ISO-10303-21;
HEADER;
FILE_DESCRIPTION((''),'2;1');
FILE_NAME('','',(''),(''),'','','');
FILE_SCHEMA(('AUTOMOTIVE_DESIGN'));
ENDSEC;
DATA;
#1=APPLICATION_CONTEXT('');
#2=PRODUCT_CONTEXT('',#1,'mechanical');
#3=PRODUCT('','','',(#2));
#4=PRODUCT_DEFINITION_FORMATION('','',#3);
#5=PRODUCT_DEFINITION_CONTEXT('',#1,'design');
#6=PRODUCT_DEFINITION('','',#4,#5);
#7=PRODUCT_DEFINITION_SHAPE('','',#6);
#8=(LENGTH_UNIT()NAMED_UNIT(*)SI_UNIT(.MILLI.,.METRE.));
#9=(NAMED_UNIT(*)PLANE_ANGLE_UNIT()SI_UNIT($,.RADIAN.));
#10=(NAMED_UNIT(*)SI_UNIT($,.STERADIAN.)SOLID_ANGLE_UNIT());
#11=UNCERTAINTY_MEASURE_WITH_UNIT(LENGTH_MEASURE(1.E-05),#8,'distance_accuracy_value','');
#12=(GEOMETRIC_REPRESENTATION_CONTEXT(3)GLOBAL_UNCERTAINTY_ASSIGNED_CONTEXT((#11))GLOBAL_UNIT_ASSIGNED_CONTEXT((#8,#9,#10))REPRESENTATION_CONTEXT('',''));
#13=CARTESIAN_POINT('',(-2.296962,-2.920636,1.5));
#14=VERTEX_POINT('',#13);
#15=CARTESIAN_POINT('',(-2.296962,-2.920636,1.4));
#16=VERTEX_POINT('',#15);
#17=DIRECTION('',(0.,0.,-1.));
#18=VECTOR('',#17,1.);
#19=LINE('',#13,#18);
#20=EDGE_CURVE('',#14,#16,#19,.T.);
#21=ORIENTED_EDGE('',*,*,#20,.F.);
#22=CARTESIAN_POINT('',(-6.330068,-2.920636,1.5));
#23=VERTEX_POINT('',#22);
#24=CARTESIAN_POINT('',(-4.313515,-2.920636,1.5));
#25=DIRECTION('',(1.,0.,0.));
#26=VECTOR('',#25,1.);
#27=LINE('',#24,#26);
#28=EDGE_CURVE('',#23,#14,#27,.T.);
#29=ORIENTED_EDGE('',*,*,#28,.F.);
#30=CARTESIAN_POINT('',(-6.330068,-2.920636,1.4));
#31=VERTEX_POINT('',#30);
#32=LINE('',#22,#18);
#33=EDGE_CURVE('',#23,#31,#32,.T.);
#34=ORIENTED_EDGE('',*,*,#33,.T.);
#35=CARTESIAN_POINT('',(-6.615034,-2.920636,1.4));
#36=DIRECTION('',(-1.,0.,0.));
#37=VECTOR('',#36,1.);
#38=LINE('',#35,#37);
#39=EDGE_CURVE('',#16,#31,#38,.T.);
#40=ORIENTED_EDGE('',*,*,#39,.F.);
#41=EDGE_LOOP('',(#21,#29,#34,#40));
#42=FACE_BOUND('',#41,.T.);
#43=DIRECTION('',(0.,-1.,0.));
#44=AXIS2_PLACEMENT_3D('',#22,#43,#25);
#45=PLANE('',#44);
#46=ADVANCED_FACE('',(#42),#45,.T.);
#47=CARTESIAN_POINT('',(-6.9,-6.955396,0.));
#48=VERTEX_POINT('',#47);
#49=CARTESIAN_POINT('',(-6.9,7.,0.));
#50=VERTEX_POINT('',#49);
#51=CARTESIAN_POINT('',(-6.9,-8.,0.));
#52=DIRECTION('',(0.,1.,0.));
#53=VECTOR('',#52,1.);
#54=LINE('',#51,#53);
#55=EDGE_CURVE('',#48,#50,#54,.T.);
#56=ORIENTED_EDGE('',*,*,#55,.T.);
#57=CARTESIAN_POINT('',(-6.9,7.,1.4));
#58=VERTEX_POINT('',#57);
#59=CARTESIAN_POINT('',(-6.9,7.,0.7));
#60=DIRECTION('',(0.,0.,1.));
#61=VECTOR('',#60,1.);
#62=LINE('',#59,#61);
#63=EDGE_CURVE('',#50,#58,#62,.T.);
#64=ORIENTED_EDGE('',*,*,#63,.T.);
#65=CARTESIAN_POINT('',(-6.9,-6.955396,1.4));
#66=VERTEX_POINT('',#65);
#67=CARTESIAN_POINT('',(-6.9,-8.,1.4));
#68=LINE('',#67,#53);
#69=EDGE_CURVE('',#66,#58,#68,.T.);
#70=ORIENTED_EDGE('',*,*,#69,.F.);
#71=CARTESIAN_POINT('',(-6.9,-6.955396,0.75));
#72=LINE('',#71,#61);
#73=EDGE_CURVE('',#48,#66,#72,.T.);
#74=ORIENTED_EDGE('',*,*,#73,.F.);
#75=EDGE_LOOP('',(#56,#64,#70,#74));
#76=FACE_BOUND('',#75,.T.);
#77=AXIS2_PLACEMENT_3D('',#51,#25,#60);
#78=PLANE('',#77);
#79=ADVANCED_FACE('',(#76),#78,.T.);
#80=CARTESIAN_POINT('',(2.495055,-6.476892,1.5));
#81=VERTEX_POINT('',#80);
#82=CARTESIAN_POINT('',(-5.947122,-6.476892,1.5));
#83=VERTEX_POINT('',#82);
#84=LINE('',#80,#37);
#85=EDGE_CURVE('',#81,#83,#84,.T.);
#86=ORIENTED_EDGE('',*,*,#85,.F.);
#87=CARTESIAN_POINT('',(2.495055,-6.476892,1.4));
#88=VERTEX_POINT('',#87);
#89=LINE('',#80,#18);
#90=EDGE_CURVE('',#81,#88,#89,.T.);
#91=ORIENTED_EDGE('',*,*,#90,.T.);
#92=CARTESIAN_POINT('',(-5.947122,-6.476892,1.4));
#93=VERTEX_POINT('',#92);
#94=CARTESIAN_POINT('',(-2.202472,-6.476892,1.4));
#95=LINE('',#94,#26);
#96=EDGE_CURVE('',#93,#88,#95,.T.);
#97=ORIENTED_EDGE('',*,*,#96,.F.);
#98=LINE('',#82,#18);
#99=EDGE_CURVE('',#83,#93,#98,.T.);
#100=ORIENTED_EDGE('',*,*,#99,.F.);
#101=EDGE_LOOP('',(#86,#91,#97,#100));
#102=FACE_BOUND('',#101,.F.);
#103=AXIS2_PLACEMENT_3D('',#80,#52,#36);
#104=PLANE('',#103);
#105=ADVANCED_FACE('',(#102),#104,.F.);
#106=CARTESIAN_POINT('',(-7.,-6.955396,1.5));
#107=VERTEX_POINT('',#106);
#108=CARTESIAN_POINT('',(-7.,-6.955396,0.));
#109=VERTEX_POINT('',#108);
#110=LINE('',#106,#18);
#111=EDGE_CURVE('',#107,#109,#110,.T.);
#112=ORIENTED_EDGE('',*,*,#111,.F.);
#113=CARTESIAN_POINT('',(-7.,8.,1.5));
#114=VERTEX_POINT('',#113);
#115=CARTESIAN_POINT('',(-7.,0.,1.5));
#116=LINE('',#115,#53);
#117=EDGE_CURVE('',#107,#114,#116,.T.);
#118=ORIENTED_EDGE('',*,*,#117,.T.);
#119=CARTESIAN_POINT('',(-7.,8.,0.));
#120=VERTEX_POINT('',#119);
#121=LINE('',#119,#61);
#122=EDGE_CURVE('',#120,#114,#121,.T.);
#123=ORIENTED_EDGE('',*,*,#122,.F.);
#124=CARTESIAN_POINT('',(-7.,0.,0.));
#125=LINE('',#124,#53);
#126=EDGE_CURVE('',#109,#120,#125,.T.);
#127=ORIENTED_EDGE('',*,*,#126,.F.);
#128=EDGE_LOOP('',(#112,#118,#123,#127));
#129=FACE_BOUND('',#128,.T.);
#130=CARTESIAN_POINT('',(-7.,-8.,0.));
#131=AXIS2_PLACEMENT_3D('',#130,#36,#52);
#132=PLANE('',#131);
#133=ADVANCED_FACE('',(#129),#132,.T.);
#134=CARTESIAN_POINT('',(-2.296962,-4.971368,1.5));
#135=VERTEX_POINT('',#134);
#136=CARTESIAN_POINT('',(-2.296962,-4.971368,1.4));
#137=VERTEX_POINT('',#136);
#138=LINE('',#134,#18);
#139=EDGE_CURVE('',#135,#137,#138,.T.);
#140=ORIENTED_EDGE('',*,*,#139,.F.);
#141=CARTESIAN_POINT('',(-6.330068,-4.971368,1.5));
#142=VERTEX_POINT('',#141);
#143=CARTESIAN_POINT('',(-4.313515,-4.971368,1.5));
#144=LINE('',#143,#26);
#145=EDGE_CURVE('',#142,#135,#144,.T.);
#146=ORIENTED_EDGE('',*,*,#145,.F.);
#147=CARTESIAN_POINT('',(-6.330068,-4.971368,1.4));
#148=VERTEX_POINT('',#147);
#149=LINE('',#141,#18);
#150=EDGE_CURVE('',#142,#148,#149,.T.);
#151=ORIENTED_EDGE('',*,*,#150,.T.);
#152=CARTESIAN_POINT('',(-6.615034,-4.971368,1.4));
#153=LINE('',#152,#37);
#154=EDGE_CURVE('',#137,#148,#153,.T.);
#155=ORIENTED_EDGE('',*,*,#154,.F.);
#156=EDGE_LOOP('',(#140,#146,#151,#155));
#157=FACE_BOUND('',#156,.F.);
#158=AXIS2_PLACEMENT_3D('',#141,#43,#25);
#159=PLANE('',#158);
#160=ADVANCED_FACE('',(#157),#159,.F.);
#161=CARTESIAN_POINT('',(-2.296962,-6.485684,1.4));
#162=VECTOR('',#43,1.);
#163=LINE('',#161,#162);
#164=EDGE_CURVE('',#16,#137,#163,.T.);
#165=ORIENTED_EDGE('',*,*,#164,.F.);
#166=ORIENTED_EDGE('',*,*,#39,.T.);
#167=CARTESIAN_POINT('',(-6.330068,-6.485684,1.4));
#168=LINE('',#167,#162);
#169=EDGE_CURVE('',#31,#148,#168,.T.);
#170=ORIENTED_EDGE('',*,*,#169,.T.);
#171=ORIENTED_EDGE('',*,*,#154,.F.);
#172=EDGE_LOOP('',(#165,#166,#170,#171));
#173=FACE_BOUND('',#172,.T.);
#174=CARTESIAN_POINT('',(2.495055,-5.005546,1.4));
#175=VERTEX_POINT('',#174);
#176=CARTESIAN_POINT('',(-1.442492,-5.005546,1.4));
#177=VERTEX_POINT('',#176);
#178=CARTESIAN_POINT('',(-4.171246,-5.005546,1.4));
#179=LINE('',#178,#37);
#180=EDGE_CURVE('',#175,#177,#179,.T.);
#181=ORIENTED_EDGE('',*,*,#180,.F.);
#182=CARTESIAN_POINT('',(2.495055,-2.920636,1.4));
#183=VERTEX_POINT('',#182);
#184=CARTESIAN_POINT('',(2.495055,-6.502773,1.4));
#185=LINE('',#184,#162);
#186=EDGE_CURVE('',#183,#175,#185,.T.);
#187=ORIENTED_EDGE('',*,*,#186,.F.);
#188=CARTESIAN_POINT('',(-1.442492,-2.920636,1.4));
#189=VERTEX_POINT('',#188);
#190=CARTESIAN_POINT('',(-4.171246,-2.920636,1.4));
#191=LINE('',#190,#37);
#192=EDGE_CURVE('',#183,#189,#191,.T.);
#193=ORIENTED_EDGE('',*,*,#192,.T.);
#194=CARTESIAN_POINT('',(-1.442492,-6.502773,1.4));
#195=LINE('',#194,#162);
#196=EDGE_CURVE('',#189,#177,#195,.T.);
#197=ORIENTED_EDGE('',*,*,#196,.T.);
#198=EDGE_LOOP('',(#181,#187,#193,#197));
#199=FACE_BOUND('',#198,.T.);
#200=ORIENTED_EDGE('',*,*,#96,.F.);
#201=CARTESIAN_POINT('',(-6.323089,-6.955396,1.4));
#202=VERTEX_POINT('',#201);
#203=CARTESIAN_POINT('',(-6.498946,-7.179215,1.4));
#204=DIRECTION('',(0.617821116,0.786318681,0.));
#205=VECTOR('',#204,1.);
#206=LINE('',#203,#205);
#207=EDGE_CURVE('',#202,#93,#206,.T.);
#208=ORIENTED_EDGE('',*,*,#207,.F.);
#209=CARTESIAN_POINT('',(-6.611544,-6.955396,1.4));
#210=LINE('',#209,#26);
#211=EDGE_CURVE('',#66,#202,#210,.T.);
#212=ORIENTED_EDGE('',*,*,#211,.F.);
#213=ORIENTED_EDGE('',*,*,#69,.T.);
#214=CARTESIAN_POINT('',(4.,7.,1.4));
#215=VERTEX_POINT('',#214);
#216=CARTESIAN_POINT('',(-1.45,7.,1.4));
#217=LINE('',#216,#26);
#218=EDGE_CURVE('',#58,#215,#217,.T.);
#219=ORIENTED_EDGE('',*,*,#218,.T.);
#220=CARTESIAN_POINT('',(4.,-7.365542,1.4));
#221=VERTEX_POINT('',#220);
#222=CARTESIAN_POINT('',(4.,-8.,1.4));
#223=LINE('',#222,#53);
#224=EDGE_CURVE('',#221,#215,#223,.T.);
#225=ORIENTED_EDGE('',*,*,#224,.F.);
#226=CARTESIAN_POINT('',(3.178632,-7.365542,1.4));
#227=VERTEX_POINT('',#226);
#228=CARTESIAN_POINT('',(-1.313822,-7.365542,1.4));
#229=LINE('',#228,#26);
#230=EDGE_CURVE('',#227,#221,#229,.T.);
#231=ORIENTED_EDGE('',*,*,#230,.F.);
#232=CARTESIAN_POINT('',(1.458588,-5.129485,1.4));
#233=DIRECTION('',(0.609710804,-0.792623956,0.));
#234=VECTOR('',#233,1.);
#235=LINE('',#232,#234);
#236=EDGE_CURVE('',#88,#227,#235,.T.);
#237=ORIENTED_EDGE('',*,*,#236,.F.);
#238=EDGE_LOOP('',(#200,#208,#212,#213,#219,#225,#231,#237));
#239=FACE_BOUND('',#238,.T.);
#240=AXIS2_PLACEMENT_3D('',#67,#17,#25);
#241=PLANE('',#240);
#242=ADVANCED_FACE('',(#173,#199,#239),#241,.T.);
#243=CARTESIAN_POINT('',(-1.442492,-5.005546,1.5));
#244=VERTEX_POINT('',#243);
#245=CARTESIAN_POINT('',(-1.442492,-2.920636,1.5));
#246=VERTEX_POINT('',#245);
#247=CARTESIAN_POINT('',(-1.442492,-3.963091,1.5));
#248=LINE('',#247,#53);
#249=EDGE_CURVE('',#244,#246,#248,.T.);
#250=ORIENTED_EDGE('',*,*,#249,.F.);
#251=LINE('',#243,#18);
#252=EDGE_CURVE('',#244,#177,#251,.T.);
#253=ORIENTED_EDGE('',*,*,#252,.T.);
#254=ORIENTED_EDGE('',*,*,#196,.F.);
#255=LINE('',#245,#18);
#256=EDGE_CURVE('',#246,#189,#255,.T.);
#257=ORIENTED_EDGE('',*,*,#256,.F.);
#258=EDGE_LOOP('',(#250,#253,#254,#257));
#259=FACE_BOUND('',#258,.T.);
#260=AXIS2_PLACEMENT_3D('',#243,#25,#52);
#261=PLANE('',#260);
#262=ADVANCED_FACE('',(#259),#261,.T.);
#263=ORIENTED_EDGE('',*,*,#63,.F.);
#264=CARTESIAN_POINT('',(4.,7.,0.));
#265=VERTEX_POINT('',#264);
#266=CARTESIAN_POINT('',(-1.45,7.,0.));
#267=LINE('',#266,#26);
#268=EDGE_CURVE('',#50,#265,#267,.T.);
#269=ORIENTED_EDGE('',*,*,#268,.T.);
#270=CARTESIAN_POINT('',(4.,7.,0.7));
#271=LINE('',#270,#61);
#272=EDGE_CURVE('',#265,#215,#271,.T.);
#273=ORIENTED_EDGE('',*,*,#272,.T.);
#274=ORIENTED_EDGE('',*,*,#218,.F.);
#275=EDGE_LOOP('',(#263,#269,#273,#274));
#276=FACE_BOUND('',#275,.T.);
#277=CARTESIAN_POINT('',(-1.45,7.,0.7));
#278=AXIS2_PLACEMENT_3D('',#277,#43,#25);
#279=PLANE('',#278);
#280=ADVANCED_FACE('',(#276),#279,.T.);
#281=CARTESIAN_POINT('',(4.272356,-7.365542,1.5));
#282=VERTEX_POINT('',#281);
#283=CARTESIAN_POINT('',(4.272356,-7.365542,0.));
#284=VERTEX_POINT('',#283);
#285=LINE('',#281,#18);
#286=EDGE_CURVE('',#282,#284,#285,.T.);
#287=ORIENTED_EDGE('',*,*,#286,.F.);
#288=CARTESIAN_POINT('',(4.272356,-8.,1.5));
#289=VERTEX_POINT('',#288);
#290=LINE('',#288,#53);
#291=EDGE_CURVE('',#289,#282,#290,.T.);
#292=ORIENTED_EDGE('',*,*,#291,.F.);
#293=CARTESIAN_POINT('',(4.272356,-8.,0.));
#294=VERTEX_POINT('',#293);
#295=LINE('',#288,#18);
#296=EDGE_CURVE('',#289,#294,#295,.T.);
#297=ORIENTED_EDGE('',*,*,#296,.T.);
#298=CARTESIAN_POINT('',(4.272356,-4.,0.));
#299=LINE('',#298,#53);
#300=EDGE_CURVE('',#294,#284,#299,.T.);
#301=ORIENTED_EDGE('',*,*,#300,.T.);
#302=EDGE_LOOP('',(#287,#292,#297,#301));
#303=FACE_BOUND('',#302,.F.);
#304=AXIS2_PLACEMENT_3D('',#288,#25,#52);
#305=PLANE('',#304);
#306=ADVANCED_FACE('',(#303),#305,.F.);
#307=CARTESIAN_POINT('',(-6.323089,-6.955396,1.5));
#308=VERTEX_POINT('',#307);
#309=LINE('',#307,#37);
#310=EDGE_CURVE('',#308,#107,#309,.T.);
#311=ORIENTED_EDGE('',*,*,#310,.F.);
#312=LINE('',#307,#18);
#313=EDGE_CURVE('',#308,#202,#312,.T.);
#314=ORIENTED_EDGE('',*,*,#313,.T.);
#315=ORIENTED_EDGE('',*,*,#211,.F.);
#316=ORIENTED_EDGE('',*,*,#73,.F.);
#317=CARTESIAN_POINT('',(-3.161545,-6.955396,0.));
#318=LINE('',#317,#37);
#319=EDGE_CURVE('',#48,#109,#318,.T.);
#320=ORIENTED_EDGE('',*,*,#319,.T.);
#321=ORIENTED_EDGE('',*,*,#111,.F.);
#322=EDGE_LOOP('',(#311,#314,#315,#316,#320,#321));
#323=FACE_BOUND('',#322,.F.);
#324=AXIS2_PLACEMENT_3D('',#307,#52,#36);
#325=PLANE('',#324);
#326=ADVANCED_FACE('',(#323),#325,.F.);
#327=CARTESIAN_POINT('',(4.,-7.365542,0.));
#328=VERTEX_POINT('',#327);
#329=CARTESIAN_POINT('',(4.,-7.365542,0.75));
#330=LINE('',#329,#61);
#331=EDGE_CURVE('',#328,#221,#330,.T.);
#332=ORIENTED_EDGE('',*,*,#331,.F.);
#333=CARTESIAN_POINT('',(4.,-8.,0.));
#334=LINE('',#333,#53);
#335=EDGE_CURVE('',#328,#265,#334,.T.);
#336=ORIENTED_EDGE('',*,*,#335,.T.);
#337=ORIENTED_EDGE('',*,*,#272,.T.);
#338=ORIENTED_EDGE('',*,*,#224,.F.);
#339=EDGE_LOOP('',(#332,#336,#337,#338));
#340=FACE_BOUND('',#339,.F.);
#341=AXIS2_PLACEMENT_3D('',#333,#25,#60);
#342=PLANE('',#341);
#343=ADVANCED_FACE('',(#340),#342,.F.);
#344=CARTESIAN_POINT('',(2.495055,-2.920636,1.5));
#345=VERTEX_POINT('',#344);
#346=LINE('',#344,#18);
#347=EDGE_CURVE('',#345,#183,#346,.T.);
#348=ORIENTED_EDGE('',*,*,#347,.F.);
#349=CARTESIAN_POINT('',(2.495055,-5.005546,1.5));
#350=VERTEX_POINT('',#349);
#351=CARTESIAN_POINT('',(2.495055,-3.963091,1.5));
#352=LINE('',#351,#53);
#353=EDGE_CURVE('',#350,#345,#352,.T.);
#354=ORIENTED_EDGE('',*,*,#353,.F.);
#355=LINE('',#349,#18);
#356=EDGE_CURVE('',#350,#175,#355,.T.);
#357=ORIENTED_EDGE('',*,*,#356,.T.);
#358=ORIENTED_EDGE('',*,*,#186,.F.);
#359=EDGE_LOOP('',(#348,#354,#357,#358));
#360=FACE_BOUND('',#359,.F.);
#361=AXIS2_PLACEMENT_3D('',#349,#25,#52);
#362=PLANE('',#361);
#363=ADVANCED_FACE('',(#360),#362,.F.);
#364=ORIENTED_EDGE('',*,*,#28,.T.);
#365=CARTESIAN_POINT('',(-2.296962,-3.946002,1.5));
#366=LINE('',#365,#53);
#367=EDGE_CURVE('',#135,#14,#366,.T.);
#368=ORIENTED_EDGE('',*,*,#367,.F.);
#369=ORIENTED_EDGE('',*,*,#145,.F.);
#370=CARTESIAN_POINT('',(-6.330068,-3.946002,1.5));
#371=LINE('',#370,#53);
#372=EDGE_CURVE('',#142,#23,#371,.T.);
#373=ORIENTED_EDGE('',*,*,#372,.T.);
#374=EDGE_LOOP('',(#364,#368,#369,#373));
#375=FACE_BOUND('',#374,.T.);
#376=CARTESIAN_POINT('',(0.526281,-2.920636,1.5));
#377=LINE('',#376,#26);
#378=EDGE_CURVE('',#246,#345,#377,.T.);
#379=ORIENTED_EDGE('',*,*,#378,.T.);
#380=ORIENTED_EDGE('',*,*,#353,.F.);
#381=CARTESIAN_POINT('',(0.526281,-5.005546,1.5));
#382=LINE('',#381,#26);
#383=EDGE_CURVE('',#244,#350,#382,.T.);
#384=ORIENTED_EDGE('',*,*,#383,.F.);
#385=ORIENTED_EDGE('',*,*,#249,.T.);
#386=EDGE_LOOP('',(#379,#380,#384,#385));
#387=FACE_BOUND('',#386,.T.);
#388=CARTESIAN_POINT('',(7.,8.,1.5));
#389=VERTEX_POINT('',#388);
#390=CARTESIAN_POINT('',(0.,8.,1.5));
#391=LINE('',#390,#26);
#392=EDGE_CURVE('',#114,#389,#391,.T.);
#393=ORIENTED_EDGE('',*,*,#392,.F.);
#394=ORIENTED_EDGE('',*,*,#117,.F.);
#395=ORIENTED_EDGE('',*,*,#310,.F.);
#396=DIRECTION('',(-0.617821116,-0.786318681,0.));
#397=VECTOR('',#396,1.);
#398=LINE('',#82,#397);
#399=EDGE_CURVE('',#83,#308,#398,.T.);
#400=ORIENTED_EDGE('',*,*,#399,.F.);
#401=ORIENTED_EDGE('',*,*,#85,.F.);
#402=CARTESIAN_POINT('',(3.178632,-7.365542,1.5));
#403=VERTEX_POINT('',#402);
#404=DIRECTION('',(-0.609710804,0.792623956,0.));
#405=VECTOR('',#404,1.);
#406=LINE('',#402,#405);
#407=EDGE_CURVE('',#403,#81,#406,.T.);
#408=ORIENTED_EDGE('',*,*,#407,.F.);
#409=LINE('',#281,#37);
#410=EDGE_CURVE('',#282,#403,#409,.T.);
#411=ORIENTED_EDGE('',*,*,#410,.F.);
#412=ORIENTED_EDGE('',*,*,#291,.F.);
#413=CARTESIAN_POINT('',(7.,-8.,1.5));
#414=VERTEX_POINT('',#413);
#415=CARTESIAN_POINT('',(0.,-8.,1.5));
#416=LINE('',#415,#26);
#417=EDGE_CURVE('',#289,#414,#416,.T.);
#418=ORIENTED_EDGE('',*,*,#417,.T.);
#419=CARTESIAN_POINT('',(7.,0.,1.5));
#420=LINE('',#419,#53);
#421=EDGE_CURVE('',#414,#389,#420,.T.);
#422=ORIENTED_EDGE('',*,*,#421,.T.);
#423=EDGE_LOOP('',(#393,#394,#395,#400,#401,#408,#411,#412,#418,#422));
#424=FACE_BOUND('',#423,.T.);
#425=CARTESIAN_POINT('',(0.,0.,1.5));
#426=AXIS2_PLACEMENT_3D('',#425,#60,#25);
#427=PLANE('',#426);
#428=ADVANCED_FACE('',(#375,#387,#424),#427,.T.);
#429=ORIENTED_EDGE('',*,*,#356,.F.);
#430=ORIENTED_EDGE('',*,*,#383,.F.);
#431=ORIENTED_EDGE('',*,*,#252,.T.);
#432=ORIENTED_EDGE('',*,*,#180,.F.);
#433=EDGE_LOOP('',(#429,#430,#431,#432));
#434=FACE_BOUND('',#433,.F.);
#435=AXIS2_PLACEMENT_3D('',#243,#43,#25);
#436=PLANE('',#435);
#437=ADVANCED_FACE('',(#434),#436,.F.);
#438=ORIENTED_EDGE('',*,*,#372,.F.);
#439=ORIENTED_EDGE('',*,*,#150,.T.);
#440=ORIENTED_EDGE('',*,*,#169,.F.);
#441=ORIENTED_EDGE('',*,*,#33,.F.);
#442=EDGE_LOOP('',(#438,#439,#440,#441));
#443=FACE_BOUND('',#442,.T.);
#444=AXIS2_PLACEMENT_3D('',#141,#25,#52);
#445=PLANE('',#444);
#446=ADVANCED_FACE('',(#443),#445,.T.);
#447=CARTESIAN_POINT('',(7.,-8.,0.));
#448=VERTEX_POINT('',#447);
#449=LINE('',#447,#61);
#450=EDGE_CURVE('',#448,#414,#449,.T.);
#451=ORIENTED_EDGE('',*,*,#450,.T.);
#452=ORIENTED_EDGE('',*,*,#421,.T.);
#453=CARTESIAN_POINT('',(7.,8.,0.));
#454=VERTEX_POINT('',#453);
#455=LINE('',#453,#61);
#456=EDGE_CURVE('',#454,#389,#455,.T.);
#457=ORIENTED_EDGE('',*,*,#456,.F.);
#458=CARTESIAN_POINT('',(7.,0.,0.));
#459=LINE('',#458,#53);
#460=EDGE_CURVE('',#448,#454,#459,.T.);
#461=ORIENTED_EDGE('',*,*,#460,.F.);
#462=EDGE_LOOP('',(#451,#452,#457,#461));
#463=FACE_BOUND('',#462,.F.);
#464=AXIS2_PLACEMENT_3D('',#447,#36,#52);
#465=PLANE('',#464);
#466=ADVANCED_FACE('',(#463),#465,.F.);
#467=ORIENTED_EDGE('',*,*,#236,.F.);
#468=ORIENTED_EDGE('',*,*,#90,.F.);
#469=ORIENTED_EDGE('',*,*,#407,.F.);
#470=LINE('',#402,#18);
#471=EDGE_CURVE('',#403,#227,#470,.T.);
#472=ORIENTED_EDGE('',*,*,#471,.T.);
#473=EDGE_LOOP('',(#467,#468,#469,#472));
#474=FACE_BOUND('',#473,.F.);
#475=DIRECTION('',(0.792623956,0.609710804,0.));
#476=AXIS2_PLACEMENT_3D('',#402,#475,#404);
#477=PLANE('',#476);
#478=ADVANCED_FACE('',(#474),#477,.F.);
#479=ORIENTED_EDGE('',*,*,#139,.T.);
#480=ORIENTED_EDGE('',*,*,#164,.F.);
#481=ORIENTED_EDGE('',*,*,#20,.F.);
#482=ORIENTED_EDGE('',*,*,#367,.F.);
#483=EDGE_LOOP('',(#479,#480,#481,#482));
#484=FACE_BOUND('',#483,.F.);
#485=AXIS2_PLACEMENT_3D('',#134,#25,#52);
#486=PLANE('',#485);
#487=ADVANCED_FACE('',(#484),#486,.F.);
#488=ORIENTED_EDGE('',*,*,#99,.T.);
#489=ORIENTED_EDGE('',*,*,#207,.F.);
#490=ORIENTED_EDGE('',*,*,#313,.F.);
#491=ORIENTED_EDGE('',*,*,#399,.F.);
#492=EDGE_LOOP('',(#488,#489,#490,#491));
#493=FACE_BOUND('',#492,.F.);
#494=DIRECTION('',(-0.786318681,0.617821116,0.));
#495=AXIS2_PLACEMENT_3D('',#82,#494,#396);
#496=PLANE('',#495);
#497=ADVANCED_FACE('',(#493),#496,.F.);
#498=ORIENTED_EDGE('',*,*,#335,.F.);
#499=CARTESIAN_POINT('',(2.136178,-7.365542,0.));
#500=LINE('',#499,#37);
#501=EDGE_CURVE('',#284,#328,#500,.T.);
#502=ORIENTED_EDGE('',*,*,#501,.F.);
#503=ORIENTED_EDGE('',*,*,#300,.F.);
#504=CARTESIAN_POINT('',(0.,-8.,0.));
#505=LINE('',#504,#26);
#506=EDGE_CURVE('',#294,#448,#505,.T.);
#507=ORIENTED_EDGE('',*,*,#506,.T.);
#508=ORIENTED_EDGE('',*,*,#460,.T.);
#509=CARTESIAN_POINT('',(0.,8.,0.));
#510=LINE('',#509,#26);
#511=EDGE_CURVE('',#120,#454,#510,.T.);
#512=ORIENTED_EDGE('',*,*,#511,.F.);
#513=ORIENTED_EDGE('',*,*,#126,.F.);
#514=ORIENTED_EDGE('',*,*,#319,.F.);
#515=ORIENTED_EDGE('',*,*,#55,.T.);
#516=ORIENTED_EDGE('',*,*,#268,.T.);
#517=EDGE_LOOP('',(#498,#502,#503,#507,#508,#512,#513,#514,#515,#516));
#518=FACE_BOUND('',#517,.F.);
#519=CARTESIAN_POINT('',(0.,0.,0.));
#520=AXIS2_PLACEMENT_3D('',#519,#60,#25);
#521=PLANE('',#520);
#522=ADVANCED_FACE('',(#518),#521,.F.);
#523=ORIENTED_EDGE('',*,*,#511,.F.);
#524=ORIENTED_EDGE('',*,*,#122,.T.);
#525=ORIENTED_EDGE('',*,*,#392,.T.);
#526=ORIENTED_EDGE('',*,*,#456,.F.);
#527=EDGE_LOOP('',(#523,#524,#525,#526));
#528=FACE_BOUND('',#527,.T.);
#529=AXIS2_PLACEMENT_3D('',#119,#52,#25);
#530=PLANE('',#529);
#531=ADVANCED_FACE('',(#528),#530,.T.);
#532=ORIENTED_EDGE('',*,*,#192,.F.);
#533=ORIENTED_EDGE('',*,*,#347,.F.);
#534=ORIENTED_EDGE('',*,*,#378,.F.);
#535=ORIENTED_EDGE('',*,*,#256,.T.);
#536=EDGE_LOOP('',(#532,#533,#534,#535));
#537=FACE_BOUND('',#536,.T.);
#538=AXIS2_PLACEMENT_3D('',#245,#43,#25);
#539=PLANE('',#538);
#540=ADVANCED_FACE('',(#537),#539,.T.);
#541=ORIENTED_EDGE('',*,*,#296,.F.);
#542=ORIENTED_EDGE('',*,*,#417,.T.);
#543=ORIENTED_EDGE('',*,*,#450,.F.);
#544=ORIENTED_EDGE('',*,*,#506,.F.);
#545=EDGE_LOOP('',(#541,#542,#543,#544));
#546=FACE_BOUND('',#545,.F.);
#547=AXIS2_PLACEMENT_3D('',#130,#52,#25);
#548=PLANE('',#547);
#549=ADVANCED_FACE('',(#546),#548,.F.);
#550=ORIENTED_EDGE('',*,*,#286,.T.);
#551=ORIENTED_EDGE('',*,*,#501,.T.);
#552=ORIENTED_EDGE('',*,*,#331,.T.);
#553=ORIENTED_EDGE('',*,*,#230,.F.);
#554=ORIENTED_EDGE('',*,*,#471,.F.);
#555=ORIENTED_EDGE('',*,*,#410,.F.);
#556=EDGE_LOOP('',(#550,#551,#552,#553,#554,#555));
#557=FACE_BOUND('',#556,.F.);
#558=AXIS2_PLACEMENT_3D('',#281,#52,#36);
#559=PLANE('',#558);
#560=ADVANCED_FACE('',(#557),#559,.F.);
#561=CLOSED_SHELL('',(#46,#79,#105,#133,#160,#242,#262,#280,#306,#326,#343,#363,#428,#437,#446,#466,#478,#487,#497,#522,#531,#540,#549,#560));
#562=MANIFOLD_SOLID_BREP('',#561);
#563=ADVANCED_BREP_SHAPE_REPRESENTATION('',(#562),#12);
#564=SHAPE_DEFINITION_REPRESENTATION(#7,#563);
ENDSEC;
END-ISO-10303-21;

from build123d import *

# Parameters (mm, degrees)
F0_W     = 14
F0_H     = 16
F1_DEPTH = 1.5
F2_W     = 10.9
F2_H     = 1.4
F3_DEPTH = 15
F5_DEPTH = 25
F6_W     = 4.033105
F6_H     = 2.050732
F6_W_2   = 3.937547
F6_H_2   = 2.08491
F7_DEPTH = 25


with BuildPart() as f1:
    # F0 (on Top) → F1 (new body)
    with BuildSketch(Plane.XY):
        Rectangle(F0_W, F0_H)
    extrude(amount=F1_DEPTH)

    # F2 (on face) → F3 (cut)
    with BuildSketch(Plane.XZ.offset(8)):
        with Locations((-1.45, 0.7)):
            Rectangle(F2_W, F2_H)
    extrude(amount=-F3_DEPTH, mode=Mode.SUBTRACT)

    # F4 (on face) → F5 (cut)
    with BuildSketch(Plane.XY.offset(1.5)):
        Polygon((-7, -8), (4.272356, -8), (4.272356, -7.365542), (3.178632, -7.365542), (2.495055, -6.476892), (-5.947122, -6.476892), (-6.323089, -6.955396), (-7, -6.955396), align=None)
    extrude(amount=-F5_DEPTH, mode=Mode.SUBTRACT)

    # F6 (on face) → F7 (cut)
    with BuildSketch(Plane.XY.offset(1.5)):
        with Locations((-4.313515, -3.946002)):
            Rectangle(F6_W, F6_H)
        with Locations((0.526281, -3.963091)):
            Rectangle(F6_W_2, F6_H_2)
    extrude(amount=-F7_DEPTH, mode=Mode.SUBTRACT)


solid = f1.part
